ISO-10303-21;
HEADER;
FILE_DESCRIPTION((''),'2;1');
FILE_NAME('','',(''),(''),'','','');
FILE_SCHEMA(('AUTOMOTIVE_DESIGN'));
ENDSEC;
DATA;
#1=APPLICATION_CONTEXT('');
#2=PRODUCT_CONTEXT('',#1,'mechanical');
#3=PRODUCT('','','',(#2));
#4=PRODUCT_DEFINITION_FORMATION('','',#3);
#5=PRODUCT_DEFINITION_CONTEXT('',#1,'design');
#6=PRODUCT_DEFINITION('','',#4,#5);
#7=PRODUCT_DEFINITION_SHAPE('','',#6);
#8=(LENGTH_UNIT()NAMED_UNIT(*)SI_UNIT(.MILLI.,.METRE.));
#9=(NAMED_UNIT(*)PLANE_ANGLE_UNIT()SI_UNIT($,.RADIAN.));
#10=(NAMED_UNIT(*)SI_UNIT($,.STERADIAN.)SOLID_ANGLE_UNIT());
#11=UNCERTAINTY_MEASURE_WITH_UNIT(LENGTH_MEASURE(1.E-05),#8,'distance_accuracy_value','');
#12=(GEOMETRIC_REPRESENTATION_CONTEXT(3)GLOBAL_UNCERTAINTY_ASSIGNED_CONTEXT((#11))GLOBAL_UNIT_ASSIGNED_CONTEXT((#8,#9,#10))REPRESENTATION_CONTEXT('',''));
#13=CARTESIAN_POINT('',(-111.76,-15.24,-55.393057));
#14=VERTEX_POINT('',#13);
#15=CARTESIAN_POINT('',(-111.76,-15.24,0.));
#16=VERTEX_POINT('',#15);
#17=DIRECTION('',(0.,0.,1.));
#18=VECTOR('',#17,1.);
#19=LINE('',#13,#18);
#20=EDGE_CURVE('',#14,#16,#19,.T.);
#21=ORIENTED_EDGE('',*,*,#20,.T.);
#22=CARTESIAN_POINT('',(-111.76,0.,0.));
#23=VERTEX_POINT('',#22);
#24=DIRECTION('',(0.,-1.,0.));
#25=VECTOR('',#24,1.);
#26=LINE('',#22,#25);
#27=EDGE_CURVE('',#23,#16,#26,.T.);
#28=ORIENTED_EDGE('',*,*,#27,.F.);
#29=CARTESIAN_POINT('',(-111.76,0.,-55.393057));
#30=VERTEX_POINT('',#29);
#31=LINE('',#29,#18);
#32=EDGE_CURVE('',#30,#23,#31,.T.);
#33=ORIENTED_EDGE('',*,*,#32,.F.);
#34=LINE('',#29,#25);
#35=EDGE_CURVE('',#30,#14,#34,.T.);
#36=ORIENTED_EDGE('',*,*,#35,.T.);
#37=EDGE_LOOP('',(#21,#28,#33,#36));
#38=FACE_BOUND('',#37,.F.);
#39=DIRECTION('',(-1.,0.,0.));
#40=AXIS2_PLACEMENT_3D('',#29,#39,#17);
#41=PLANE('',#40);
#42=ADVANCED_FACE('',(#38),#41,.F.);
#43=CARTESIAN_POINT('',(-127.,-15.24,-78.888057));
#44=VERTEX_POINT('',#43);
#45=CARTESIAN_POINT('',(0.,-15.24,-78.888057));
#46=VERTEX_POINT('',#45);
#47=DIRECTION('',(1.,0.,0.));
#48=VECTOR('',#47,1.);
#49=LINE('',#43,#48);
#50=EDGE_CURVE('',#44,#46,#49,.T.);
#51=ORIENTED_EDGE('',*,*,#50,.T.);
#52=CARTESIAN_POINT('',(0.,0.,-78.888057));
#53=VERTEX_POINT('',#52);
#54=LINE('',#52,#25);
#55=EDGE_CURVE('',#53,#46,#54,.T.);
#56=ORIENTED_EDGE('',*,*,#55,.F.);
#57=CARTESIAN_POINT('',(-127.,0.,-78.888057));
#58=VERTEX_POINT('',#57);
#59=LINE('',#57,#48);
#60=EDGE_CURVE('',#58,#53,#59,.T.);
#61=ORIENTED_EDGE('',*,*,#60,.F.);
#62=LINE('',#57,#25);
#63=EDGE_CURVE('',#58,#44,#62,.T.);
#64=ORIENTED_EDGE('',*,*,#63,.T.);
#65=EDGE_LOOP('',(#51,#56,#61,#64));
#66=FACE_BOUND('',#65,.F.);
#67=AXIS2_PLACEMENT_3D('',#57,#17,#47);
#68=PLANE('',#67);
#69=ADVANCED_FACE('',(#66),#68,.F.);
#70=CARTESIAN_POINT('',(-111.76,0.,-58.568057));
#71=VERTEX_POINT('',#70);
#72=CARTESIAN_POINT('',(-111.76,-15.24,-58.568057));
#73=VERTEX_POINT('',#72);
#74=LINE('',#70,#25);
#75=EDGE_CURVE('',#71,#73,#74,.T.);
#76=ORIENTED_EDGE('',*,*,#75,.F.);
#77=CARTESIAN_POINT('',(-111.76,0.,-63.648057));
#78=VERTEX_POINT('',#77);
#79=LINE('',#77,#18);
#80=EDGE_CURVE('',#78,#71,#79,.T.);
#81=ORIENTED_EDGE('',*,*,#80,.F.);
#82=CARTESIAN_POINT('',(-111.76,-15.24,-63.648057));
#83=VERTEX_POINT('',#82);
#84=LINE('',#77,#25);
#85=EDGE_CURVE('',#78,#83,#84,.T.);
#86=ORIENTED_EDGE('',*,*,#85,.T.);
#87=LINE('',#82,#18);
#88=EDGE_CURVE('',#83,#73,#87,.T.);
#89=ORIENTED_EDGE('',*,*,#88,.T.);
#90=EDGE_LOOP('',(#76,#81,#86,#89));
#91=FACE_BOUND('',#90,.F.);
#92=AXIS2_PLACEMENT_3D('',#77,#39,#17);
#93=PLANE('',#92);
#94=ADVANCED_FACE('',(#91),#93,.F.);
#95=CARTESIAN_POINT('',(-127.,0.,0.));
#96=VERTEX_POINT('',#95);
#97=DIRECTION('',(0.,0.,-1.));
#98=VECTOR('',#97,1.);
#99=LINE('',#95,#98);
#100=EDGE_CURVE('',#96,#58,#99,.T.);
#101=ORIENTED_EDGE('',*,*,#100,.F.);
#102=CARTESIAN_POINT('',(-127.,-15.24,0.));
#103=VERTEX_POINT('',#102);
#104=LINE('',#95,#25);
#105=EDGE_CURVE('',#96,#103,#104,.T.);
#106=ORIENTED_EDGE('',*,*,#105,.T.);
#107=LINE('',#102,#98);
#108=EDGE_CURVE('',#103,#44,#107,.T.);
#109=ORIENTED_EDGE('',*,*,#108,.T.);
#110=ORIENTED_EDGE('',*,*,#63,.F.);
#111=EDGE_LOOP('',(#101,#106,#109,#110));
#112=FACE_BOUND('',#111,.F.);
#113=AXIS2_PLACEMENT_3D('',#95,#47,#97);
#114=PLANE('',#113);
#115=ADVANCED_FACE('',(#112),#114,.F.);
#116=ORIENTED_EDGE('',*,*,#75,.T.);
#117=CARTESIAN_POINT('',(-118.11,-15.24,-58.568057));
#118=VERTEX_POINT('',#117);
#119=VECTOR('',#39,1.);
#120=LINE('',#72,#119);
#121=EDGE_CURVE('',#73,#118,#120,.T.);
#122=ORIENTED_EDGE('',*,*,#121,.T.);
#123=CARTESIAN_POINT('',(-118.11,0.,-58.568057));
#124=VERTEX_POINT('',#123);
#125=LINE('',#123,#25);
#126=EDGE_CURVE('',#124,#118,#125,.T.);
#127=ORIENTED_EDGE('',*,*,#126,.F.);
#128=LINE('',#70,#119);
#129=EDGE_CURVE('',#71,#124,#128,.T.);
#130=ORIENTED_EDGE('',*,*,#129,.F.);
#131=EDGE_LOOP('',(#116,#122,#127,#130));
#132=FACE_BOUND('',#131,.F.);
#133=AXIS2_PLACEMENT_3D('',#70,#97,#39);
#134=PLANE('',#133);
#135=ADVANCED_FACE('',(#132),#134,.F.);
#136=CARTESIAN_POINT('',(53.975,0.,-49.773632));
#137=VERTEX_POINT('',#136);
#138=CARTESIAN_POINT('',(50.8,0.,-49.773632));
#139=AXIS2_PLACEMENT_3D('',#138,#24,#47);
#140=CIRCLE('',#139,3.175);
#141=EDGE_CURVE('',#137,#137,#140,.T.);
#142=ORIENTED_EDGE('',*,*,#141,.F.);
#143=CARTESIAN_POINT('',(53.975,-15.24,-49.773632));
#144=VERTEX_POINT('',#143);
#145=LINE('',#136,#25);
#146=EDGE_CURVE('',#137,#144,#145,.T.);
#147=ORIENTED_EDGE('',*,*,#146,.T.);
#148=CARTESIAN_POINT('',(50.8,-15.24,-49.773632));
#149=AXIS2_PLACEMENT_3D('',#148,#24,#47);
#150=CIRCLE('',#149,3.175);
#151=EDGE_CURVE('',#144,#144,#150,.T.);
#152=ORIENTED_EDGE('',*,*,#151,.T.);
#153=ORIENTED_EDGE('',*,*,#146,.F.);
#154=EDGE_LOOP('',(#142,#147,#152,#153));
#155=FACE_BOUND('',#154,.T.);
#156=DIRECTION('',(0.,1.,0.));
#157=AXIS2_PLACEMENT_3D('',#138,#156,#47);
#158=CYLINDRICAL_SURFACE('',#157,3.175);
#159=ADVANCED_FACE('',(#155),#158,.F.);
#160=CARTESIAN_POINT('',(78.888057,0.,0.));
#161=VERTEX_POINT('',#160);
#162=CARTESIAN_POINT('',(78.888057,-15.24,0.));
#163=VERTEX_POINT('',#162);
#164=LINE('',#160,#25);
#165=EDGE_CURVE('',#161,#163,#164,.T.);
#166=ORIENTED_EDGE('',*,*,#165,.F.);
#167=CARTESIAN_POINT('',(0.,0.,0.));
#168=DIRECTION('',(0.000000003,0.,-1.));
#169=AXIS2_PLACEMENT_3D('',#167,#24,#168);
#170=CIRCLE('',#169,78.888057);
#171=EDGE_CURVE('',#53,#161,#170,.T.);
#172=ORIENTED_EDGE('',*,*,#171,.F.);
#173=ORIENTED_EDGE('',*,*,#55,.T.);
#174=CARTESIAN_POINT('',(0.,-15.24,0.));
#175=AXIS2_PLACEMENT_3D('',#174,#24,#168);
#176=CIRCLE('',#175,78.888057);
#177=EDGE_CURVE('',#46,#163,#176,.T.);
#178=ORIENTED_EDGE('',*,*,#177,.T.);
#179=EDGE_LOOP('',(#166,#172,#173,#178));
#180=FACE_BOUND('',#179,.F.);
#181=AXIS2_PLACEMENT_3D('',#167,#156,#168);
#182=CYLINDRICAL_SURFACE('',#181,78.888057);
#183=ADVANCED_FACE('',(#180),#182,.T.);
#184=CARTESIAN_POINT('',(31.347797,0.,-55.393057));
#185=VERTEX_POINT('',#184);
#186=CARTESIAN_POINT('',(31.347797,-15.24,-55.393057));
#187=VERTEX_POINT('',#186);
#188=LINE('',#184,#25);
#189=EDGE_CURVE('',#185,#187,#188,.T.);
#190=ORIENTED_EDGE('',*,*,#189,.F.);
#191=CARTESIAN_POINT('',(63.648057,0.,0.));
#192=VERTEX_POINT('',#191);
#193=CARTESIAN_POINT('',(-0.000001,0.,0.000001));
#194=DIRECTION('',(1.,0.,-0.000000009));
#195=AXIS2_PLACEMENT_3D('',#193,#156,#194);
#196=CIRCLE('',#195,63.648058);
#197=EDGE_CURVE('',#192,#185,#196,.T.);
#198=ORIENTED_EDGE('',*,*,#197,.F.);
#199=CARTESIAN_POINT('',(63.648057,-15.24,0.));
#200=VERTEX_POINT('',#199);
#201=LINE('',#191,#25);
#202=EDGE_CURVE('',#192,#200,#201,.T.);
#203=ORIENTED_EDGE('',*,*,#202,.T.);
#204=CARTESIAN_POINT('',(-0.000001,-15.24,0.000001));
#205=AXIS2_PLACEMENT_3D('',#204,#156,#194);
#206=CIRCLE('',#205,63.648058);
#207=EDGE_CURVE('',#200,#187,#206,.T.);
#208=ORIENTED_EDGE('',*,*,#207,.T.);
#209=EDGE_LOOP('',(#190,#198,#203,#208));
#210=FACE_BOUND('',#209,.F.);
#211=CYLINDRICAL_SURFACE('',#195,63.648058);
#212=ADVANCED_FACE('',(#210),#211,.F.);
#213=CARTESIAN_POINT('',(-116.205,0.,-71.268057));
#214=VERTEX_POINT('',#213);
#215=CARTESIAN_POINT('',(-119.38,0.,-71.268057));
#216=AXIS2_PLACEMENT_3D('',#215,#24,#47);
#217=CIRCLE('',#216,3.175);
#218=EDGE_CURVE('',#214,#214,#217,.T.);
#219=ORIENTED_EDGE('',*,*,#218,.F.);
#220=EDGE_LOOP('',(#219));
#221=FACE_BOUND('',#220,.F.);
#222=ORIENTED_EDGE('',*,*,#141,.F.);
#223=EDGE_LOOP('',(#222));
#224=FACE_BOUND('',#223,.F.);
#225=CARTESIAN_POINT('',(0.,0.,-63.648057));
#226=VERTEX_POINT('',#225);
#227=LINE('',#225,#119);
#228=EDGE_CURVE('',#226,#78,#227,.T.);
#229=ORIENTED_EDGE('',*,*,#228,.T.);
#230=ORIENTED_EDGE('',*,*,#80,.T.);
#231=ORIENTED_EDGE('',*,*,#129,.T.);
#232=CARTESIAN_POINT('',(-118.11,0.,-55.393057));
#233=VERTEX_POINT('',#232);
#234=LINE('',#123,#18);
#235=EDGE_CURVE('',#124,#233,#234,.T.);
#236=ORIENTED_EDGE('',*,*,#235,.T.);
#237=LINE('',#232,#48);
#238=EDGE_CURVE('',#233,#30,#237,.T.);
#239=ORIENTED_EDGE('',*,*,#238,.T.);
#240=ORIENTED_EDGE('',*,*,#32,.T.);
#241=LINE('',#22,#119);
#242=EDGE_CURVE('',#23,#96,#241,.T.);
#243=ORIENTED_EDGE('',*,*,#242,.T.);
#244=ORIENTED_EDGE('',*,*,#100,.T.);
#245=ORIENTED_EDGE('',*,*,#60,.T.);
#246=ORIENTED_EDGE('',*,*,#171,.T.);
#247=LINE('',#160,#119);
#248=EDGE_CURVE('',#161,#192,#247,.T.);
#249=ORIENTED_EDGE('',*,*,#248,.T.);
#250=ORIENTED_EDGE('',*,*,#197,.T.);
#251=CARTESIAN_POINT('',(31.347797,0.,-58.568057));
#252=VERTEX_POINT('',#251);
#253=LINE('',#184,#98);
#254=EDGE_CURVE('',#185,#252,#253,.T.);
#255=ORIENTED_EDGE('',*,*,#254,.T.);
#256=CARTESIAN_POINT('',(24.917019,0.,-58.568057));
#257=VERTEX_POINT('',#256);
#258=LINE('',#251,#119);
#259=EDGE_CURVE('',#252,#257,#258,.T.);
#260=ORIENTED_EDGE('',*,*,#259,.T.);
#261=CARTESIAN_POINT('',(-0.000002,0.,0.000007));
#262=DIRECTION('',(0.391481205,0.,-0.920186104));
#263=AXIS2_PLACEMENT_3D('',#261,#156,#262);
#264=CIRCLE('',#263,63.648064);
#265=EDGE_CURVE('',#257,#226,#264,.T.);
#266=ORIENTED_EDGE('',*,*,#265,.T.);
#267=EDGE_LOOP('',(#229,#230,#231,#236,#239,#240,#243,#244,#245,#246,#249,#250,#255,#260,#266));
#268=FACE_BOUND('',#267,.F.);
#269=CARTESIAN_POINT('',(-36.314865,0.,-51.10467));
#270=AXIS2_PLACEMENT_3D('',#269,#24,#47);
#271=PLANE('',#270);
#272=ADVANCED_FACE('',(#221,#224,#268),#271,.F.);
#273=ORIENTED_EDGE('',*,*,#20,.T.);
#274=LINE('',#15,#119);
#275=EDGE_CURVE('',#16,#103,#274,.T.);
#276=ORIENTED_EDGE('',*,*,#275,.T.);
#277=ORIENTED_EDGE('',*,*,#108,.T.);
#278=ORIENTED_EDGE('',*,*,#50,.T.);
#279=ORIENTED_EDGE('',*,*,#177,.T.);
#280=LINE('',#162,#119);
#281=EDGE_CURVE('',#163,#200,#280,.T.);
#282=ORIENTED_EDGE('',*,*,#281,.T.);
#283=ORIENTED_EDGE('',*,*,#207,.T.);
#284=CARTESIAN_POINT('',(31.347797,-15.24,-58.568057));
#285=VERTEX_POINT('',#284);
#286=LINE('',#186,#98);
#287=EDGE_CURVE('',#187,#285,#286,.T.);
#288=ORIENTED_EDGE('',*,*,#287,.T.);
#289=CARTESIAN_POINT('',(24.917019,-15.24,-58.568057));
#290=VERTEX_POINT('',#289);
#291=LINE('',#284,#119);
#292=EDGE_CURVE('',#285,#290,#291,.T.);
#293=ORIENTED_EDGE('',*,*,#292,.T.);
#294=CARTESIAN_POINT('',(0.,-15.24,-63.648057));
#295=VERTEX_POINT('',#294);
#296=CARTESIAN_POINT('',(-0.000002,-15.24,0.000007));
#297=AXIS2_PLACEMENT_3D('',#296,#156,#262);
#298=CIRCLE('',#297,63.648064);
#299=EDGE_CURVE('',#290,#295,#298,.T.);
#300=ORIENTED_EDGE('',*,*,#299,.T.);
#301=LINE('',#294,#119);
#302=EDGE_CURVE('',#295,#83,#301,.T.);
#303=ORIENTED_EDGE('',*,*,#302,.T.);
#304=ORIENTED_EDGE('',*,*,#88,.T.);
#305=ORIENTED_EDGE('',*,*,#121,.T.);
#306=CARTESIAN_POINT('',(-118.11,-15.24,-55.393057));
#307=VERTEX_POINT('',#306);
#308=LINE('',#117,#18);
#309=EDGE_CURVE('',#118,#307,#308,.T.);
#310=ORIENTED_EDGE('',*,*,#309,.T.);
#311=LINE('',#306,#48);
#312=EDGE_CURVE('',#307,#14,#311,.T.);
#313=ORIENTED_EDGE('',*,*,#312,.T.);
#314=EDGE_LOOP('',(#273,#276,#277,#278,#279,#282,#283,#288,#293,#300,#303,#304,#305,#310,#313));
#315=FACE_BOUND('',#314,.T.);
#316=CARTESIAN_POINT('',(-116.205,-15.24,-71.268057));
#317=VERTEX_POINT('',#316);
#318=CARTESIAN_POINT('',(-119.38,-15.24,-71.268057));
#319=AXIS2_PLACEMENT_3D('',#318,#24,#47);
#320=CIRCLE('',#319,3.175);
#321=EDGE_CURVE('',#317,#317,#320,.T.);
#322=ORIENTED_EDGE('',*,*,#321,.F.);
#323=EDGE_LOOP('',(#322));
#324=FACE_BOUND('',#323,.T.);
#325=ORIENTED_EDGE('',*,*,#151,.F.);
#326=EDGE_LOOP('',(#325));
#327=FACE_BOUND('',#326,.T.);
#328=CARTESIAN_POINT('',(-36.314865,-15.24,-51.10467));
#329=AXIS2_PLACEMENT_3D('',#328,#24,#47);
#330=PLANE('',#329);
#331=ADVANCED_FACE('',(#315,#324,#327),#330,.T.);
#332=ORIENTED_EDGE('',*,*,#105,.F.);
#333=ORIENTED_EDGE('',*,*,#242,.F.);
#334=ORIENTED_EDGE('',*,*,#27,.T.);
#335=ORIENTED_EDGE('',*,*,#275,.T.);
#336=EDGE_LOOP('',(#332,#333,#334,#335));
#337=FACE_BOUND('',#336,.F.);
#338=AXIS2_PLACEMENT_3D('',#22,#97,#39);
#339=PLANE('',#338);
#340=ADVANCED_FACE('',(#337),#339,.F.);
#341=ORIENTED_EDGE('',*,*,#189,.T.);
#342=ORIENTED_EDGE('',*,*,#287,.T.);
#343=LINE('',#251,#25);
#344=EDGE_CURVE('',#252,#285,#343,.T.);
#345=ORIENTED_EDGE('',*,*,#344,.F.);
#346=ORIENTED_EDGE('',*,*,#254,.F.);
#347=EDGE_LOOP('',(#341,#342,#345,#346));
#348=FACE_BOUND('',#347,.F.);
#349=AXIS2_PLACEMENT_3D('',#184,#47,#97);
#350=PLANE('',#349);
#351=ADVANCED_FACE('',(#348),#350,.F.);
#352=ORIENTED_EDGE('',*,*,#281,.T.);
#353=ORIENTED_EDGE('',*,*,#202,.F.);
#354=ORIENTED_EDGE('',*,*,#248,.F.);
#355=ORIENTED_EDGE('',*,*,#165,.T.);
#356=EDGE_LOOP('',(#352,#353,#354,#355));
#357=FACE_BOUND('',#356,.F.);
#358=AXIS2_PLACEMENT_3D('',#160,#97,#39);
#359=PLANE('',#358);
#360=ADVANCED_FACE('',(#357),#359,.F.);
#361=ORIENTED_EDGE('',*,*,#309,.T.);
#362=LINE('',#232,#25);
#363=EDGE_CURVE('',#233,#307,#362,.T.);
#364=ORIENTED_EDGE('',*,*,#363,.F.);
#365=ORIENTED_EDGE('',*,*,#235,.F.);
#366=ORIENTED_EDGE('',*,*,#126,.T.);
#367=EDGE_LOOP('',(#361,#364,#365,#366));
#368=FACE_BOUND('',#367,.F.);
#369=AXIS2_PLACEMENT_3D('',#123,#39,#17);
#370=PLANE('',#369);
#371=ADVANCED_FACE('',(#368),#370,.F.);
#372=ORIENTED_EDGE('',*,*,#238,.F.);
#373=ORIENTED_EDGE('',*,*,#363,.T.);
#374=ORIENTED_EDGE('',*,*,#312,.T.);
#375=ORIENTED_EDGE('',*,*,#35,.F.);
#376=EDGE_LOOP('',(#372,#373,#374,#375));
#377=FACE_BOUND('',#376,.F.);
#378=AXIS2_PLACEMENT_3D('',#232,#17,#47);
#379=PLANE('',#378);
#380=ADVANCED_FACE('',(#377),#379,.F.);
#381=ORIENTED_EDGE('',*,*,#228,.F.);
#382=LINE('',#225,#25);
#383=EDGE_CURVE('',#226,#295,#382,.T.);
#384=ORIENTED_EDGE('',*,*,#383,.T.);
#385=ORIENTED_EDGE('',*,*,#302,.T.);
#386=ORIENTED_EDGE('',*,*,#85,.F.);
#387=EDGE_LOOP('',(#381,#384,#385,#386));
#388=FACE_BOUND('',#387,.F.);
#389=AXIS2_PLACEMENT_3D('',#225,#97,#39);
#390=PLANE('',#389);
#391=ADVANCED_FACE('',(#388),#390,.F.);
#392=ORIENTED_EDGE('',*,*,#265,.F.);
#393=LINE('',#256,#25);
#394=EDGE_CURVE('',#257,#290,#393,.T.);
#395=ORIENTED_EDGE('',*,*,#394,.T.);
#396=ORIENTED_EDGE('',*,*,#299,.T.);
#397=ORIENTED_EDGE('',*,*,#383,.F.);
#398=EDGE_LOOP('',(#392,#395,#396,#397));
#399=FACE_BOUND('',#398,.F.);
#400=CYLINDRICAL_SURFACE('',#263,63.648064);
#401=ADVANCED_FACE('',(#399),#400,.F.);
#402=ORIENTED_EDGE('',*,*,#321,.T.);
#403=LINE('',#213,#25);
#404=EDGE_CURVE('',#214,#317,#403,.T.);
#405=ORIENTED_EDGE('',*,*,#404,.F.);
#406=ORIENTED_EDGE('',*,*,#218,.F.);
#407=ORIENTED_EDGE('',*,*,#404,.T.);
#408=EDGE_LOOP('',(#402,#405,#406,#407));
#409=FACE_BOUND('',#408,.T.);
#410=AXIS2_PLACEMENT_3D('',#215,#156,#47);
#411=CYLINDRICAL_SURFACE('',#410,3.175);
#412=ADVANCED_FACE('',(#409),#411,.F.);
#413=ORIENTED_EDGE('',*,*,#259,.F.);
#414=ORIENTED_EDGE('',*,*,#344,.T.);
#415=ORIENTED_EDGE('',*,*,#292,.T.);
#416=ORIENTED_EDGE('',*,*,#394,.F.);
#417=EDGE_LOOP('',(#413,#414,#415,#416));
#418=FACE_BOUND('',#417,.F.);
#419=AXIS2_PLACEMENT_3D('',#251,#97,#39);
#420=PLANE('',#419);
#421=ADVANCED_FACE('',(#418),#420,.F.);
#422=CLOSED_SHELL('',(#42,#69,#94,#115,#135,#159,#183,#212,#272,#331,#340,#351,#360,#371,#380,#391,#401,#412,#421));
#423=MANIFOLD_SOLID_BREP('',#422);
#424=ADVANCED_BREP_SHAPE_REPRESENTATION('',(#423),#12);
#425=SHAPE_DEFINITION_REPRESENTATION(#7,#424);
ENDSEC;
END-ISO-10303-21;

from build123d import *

# Parameters (mm, degrees)
F0_R     = 3.175
F1_DEPTH = 15.24


with BuildPart() as f1:
    # F0 (on Front) → F1 (new body)
    with BuildSketch(Plane.XZ):
        with BuildLine():
            Line((-127, -78.888057), (0, -78.888057))
            ThreePointArc((0, -78.888057), (55.78228, -55.78228), (78.888057, 0))
            Line((78.888057, 0), (63.648057, 0))
            ThreePointArc((63.648057, 0), (54.983186, -32.06126), (31.347797, -55.393057))
            Line((31.347797, -55.393057), (31.347797, -58.568057))
            Line((31.347797, -58.568057), (24.917019, -58.568057))
            ThreePointArc((24.917019, -58.568057), (12.714797, -62.365127), (0, -63.648057))
            Line((0, -63.648057), (-111.76, -63.648057))
            Line((-111.76, -63.648057), (-111.76, -58.568057))
            Line((-111.76, -58.568057), (-118.11, -58.568057))
            Line((-118.11, -58.568057), (-118.11, -55.393057))
            Line((-118.11, -55.393057), (-111.76, -55.393057))
            Line((-111.76, -55.393057), (-111.76, 0))
            Line((-111.76, 0), (-127, 0))
            Line((-127, 0), (-127, -78.888057))
        make_face()
        with Locations((-119.38, -71.268057)):
            Circle(F0_R, mode=Mode.SUBTRACT)
        with Locations((50.8, -49.773632)):
            Circle(F0_R, mode=Mode.SUBTRACT)
    extrude(amount=F1_DEPTH)


solid = f1.part
